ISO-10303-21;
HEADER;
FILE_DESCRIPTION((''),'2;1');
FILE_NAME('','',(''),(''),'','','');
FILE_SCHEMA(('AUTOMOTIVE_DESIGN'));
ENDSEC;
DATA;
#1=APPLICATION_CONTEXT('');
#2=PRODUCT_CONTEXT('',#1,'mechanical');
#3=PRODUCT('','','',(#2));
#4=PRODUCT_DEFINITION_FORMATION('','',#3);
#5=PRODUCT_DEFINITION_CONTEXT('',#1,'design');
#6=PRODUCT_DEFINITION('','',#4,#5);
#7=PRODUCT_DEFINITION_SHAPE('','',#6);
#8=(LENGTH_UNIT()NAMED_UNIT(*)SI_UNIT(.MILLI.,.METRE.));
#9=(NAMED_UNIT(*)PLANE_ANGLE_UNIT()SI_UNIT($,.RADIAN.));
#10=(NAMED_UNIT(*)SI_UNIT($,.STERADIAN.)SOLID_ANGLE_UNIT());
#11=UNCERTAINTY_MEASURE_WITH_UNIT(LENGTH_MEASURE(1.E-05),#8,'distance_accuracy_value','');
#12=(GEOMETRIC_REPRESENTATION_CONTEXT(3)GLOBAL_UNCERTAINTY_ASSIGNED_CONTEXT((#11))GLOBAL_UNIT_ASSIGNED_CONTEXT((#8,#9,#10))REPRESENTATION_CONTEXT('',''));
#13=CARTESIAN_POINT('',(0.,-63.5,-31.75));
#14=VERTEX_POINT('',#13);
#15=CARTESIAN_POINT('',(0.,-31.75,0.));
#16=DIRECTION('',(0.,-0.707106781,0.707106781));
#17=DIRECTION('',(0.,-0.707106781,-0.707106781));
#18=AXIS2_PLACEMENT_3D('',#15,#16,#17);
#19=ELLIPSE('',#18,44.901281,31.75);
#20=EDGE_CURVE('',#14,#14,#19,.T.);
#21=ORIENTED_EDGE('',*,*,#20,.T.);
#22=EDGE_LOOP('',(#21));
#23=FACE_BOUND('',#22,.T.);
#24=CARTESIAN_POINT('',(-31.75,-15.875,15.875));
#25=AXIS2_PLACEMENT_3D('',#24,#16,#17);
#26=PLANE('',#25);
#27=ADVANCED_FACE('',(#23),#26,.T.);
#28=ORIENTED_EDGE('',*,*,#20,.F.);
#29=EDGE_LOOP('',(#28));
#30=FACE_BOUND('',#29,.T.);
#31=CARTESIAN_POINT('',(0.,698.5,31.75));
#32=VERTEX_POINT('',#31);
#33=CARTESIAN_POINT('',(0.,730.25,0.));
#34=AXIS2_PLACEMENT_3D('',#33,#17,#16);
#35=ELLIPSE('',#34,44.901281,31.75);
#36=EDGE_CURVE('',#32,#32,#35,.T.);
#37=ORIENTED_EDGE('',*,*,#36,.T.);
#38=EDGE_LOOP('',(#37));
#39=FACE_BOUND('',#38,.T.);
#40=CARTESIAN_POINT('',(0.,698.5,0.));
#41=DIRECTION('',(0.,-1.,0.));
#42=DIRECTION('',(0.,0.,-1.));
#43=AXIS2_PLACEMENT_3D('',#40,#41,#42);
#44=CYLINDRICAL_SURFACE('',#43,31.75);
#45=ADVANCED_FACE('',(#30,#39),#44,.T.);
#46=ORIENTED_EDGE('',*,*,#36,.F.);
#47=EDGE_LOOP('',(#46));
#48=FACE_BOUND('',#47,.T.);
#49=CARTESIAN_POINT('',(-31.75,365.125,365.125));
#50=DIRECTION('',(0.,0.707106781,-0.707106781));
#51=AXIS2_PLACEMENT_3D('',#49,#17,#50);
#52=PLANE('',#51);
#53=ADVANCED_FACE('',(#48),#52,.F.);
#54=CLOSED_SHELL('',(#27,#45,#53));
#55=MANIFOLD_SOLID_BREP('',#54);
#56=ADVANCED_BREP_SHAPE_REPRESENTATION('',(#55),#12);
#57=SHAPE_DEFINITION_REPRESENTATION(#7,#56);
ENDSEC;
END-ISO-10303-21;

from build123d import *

# Parameters (mm, degrees)
SKETCH1_R           = 31.75
BOSS_EXTRUDE1_DEPTH = 698.5
SKETCH2_R           = 31.75
BOSS_EXTRUDE2_DEPTH = 63.5
SKETCH3_R           = 31.75
BOSS_EXTRUDE3_DEPTH = 63.5
CUT_EXTRUDE1_DEPTH  = 63.5


with BuildPart() as part:
    # Sketch1 → Boss-Extrude1 (new body)
    with BuildSketch(Plane(origin=(0, 0, 0), x_dir=(1, 0, 0), z_dir=(0, 1, 0))):
        Circle(SKETCH1_R)
    extrude(amount=BOSS_EXTRUDE1_DEPTH)

    # Sketch2 → Boss-Extrude2 (add)
    with BuildSketch(Plane(origin=(0, 698.5, 0), x_dir=(1, 0, 0), z_dir=(0, 1, 0))):
        Circle(SKETCH2_R)
    extrude(amount=BOSS_EXTRUDE2_DEPTH)

    # Sketch3 → Boss-Extrude3 (add)
    with BuildSketch(Plane.XZ):
        Circle(SKETCH3_R)
    extrude(amount=BOSS_EXTRUDE3_DEPTH)

    # Sketch4 → Cut-Extrude1 (cut)
    with BuildSketch(Plane(origin=(31.75, 0, 0), x_dir=(0, 0, -1), z_dir=(1, 0, 0))):
        Polygon((-31.75, 762), (-31.75, 698.5), (31.75, 762), align=None)
        Polygon((-31.75, 0), (31.75, -63.5), (-31.75, -63.5), align=None)
    extrude(amount=-CUT_EXTRUDE1_DEPTH, mode=Mode.SUBTRACT)


solid = part.part
